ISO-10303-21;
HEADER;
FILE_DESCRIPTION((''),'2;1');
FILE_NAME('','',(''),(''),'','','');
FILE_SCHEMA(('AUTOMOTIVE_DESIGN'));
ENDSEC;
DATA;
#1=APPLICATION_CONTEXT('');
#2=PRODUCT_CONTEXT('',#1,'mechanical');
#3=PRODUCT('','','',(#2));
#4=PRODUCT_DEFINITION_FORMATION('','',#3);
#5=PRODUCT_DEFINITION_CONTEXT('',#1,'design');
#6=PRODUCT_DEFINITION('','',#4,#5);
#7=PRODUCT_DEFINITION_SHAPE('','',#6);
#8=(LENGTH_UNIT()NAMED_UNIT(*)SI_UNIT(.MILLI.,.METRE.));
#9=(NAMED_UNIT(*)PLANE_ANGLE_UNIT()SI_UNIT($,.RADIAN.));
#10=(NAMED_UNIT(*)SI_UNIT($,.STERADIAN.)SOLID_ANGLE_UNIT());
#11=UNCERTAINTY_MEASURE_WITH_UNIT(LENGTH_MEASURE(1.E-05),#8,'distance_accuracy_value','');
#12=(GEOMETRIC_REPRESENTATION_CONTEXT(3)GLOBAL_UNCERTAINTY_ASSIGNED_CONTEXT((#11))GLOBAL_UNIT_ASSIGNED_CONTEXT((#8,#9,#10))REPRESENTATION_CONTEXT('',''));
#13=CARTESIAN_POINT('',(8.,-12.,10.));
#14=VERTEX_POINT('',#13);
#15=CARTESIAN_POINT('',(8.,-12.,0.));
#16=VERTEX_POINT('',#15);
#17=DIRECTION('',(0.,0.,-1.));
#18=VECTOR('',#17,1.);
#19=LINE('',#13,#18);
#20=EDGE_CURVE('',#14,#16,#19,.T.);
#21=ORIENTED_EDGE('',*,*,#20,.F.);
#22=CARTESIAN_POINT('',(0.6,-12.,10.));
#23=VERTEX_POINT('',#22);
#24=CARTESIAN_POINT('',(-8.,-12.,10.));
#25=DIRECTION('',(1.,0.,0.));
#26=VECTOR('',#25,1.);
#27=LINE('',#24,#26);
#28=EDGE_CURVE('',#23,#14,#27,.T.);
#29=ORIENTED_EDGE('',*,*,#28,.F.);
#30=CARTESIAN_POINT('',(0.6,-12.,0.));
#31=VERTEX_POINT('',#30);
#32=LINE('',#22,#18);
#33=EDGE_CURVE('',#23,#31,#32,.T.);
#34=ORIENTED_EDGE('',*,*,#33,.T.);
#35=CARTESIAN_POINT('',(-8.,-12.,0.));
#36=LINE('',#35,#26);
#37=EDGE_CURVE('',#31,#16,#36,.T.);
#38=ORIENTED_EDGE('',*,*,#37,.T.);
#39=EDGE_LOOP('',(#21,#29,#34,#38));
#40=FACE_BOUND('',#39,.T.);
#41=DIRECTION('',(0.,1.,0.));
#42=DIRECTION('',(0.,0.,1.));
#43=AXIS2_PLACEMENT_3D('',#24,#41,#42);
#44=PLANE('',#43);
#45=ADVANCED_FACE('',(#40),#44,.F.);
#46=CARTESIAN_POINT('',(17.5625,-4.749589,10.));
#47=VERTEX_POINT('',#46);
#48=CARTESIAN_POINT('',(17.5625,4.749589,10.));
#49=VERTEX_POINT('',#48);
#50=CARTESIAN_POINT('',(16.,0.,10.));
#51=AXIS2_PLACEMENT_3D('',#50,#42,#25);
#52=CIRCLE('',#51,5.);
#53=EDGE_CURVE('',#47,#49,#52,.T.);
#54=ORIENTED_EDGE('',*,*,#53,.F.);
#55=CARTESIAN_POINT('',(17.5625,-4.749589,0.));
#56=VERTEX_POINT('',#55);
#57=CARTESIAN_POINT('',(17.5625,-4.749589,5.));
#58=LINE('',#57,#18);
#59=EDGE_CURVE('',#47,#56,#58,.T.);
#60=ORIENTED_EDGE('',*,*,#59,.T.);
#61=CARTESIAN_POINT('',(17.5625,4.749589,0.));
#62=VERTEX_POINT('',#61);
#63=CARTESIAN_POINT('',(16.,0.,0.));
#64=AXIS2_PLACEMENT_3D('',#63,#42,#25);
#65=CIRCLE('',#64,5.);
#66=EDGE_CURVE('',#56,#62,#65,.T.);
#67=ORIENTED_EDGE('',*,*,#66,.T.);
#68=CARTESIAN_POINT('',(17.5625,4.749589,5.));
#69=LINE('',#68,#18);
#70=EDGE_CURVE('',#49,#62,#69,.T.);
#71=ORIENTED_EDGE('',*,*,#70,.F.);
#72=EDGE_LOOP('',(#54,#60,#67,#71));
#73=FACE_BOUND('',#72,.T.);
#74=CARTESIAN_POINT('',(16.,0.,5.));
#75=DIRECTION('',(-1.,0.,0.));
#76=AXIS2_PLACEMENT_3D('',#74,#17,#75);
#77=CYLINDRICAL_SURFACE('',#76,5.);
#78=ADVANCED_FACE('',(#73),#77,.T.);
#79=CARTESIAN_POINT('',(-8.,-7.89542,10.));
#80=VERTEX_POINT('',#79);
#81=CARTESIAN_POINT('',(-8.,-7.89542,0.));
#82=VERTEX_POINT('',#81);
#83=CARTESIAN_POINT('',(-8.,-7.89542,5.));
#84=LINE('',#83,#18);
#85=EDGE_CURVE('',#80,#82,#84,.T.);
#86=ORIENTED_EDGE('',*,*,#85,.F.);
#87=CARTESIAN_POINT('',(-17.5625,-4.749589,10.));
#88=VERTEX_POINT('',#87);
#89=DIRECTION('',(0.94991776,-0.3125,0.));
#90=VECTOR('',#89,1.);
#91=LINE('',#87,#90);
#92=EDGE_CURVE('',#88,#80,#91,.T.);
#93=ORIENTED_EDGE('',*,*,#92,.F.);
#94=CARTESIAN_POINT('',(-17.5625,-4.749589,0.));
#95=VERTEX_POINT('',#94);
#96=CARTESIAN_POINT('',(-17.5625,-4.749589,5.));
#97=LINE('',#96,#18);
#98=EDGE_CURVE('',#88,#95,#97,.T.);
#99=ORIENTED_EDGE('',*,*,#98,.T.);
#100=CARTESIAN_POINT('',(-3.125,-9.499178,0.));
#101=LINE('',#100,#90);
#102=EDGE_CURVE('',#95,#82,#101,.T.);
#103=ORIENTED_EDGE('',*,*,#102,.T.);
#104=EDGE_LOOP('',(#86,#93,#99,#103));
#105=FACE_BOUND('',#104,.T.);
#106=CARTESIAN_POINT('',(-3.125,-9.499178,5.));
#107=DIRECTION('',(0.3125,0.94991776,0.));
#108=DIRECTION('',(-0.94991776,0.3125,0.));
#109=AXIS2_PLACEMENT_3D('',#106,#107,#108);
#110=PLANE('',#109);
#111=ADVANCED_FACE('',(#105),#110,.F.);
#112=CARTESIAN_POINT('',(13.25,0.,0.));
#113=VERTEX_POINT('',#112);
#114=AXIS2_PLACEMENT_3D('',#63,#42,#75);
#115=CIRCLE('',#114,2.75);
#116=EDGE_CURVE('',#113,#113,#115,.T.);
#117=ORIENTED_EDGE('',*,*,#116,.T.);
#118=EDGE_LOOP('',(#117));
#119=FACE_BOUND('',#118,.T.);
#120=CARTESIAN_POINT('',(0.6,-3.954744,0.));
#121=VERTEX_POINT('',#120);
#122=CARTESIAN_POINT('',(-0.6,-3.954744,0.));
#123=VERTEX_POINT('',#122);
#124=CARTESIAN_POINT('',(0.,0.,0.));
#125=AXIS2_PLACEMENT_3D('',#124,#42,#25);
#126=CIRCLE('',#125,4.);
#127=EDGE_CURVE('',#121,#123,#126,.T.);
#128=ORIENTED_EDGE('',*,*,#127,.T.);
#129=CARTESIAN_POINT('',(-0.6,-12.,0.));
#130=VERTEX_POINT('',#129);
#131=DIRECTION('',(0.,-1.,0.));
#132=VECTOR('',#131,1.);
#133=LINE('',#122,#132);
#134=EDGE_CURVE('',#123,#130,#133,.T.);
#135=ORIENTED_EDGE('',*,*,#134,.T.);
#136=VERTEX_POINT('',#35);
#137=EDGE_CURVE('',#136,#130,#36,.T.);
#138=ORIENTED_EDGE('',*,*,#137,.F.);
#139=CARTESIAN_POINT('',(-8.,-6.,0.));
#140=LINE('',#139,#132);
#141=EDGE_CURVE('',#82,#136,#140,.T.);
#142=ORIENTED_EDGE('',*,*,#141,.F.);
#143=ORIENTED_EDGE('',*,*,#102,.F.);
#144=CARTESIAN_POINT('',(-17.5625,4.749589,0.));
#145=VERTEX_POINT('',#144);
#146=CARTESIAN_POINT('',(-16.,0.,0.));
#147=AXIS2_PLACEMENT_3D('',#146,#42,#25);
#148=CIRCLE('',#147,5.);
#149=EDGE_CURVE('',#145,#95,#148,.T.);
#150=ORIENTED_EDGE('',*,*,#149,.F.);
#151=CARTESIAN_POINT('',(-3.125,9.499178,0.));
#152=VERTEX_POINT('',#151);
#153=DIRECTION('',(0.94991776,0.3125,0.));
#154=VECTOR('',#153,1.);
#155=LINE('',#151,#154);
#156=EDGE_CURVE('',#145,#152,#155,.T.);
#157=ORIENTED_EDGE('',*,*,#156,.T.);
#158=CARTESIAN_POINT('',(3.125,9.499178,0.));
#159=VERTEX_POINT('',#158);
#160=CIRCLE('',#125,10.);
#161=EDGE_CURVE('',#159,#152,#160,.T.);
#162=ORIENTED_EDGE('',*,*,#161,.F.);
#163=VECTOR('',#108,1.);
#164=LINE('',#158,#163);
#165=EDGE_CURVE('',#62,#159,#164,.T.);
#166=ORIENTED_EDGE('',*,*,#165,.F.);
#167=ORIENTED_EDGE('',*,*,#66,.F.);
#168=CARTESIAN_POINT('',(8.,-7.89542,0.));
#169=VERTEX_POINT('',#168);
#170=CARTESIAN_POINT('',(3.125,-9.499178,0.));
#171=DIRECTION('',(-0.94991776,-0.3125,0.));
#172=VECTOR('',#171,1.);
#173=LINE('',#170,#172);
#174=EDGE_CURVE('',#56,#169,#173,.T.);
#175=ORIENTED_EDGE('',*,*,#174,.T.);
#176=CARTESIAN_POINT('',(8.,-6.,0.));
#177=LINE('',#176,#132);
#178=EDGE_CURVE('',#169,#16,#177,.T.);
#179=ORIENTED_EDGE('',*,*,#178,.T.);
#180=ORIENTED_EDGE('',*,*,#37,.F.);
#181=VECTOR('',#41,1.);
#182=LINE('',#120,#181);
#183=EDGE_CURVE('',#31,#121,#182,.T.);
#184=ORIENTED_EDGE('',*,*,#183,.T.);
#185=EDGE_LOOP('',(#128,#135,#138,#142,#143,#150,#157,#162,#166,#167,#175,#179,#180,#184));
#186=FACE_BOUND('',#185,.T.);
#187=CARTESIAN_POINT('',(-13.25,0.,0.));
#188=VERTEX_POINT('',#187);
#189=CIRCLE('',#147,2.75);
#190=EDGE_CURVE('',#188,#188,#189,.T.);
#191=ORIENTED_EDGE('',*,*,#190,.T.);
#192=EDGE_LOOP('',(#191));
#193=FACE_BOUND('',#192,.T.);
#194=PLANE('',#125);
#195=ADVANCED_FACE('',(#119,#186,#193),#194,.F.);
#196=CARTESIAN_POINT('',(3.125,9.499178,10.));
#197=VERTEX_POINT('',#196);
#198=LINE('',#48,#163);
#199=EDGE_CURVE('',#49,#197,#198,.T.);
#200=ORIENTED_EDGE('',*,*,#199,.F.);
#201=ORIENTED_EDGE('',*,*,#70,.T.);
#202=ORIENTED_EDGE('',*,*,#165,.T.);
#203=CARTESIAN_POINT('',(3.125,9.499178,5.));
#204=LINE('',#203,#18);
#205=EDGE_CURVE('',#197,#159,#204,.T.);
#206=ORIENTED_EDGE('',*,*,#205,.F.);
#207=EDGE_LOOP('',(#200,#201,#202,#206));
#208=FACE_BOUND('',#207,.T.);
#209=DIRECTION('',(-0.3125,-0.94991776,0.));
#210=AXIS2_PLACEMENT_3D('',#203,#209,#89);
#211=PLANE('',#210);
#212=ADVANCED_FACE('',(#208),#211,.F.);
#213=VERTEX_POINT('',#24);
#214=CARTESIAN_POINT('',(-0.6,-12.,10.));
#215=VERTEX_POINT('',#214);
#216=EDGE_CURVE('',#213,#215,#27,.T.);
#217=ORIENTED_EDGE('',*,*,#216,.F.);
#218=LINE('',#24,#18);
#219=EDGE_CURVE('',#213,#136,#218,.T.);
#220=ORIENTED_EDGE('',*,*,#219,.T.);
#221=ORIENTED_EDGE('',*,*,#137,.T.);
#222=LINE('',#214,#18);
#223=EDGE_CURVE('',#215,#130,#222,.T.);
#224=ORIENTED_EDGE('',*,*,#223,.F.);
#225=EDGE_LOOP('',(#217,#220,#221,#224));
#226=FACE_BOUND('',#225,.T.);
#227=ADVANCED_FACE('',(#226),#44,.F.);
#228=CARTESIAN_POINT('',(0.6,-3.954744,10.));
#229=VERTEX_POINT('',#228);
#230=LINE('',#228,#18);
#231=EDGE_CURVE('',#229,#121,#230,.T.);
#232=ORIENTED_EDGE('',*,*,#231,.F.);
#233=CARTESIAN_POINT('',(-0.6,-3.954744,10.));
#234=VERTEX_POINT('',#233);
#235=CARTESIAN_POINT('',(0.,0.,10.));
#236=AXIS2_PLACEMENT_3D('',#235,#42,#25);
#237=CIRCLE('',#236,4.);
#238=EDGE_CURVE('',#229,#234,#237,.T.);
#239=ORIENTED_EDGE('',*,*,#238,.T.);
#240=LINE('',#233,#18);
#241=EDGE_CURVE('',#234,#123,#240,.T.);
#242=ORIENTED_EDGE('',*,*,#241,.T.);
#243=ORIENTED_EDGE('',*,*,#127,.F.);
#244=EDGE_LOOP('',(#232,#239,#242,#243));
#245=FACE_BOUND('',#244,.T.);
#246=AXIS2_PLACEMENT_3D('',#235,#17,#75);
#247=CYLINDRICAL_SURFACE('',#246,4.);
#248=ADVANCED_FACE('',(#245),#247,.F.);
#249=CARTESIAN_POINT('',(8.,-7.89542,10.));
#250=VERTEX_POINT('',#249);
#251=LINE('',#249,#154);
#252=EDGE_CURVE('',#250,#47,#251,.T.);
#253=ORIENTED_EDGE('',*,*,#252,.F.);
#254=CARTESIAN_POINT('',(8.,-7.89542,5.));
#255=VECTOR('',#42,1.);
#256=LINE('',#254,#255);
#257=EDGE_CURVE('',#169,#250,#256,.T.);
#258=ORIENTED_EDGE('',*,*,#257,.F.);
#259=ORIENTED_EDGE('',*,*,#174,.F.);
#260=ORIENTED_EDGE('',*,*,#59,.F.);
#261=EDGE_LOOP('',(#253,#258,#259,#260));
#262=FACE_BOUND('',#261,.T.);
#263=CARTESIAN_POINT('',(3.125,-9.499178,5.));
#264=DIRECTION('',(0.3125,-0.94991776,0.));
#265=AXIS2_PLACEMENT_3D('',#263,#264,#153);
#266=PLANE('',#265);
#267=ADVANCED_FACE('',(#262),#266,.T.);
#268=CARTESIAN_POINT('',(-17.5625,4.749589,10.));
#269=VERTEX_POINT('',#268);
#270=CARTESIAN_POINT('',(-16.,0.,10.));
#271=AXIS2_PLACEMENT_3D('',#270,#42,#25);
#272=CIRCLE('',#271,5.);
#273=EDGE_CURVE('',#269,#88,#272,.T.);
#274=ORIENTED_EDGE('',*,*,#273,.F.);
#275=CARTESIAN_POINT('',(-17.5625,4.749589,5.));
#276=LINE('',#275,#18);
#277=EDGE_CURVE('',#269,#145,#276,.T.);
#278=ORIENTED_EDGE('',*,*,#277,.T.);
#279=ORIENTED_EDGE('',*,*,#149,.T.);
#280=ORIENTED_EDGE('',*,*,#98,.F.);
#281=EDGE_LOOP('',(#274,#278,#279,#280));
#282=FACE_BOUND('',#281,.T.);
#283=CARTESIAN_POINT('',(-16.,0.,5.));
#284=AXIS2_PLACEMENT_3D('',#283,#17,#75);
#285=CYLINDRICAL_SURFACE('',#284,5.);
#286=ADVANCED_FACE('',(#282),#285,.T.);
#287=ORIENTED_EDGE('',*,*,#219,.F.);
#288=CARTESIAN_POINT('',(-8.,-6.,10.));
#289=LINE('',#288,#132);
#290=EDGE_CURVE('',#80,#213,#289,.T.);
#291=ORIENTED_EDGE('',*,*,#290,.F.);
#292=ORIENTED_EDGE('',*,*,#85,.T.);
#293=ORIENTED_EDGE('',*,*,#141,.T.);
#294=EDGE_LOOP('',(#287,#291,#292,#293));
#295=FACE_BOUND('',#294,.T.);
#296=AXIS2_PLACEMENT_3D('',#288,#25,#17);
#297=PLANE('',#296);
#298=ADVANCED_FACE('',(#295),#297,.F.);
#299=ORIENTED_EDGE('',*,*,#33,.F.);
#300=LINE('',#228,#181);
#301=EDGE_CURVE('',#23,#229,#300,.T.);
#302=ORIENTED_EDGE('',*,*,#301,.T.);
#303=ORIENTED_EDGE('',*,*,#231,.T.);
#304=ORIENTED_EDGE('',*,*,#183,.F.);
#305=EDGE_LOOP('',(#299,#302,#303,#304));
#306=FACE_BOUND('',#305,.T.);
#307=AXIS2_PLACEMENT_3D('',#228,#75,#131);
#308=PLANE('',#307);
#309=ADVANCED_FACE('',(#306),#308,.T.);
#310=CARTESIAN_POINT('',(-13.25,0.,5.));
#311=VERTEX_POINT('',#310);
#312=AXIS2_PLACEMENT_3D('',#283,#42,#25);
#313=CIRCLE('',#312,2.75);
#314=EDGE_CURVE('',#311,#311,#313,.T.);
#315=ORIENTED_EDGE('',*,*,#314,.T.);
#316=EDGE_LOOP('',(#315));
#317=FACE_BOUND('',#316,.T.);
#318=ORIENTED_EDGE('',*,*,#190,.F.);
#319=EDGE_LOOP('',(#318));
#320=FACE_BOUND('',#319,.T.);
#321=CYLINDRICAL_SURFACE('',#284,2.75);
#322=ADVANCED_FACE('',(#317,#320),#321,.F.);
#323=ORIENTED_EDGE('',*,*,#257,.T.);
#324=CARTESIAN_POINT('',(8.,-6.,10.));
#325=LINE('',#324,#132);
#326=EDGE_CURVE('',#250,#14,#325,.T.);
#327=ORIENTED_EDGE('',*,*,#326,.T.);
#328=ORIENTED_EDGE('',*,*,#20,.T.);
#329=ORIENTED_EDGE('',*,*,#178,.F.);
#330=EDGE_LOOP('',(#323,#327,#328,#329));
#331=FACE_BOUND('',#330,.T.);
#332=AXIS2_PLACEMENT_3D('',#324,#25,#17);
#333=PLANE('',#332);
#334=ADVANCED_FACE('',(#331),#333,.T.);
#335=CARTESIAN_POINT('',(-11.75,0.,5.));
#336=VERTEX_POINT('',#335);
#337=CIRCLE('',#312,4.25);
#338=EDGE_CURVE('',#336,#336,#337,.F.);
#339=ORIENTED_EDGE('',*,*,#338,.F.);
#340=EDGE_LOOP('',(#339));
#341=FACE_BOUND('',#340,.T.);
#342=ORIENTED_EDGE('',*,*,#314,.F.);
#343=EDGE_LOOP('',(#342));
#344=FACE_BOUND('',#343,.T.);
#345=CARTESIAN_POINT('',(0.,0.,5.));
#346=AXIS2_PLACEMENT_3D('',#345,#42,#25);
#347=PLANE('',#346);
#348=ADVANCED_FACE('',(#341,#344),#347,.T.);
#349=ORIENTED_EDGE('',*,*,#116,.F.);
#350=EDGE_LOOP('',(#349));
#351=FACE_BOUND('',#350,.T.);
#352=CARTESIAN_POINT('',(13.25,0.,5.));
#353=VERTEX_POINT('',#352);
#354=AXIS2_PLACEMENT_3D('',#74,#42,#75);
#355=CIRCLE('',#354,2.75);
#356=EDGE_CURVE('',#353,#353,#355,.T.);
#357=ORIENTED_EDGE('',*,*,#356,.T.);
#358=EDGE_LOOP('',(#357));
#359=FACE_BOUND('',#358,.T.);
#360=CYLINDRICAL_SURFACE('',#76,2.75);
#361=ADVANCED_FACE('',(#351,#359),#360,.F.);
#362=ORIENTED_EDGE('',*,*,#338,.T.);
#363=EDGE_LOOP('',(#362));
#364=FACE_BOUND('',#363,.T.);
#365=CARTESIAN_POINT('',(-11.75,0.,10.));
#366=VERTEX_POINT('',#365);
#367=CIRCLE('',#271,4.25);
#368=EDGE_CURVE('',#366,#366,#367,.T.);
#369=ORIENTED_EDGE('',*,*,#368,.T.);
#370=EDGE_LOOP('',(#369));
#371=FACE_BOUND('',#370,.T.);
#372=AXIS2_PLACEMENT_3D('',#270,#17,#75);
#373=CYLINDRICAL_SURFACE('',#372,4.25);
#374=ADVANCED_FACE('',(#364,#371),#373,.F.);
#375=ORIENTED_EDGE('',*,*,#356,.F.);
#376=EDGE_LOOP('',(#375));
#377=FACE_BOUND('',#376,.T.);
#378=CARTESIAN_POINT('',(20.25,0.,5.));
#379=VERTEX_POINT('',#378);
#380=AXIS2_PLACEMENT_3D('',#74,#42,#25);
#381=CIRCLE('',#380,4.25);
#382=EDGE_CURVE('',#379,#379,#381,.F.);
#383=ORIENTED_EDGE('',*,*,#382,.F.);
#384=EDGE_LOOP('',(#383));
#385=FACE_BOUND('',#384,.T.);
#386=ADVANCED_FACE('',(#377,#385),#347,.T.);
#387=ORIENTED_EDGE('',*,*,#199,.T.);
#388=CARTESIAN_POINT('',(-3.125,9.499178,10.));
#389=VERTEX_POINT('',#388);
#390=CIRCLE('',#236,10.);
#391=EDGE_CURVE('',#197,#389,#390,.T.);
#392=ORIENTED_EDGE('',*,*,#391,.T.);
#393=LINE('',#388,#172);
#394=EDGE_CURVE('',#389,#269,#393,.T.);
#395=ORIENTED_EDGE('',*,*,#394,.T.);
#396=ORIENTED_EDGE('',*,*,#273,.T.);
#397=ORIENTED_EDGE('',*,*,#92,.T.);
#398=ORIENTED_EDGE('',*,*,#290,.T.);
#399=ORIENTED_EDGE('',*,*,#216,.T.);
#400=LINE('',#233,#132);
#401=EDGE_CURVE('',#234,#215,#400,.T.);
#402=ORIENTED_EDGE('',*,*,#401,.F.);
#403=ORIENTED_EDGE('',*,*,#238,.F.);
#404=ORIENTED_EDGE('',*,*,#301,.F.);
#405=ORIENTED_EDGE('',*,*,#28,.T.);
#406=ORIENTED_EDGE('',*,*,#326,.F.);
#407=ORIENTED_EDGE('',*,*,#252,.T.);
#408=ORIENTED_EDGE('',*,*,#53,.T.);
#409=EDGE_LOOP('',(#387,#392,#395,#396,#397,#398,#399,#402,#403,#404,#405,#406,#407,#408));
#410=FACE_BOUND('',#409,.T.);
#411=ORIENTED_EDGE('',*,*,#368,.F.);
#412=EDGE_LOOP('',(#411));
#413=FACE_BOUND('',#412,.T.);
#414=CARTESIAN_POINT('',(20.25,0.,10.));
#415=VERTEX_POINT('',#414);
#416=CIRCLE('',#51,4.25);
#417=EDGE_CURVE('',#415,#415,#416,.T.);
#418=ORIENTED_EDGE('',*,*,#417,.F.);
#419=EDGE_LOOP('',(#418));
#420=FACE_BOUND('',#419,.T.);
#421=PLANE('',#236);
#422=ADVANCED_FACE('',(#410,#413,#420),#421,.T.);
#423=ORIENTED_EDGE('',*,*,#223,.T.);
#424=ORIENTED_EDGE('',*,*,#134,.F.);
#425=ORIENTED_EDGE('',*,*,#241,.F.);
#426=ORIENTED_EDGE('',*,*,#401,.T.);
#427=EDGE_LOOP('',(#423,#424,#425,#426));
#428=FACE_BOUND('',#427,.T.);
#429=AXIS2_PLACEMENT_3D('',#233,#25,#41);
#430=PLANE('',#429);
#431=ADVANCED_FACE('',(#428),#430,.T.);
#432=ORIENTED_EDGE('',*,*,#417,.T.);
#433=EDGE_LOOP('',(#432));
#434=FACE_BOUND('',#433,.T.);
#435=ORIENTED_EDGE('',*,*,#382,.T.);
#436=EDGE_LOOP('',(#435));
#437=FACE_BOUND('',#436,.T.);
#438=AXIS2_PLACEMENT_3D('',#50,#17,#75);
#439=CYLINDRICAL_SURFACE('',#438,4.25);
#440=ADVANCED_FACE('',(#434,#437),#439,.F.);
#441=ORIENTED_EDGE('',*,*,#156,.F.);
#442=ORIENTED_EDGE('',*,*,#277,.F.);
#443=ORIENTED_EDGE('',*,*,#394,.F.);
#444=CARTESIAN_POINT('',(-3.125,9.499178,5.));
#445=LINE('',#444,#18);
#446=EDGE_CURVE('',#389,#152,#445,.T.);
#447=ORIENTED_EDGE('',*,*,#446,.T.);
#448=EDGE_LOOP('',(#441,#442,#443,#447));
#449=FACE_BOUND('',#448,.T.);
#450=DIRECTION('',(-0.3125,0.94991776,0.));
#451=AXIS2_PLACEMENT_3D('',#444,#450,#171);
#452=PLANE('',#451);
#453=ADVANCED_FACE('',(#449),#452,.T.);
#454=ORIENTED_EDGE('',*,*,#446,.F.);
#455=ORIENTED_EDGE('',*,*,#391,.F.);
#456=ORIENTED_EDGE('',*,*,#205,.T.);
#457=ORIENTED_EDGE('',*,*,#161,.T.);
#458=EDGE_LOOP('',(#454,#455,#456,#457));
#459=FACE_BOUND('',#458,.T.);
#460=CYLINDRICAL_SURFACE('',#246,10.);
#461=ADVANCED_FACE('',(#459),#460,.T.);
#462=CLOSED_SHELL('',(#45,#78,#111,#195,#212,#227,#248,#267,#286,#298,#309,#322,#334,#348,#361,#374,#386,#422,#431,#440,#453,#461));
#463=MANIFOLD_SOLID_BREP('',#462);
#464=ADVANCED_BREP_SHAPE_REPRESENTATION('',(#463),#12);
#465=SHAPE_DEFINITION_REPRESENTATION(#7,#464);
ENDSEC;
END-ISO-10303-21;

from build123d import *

# Parameters (mm, degrees)
SKETCH_1_R          = 10
SKETCH_1_R_2        = 4
EXTRUDE_1_DEPTH     = 10
EXTRUDE_2_DEPTH     = 5
SKETCH_4_R          = 2.75
CUT_EXTRUDE_6_DEPTH = 5
CUT_EXTRUDE_5_DEPTH = 5
EXTRUDE_3_DEPTH     = 10
CUT_EXTRUDE_8_DEPTH = 11
SKETCH_7_R          = 4.25
EXTRUDE_4_DEPTH     = 5


with BuildPart() as part:
    # 草图1 → 凸台-拉伸1 (new body)
    with BuildSketch(Plane.XY):
        Circle(SKETCH_1_R)
        Circle(SKETCH_1_R_2, mode=Mode.SUBTRACT)
    extrude(amount=EXTRUDE_1_DEPTH)

    # 草图2 → 凸台-拉伸2 (add)
    with BuildSketch(Plane.XY):
        with BuildLine():
            Line((2.8e-08, 10), (-21.5, 10))
            Line((-21.5, 10), (-21.5, -10))
            Line((-21.5, -10), (-1.9e-08, -10))
            ThreePointArc((-1.9e-08, -10), (-10, 2.4e-08), (2.8e-08, 10))
        make_face()
        with BuildLine():
            Line((21.5, 10), (2.8e-08, 10))
            ThreePointArc((2.8e-08, 10), (7.071067822, 7.071067802), (10, 0))
            ThreePointArc((10, 0), (7.071067805, -7.071067819), (-1.9e-08, -10))
            Line((-1.9e-08, -10), (21.5, -10))
            Line((21.5, -10), (21.5, 10))
        make_face()
    extrude(amount=EXTRUDE_2_DEPTH)

    # 草图4 → 切除-拉伸6 (cut)
    with BuildSketch(Plane.XY):
        with Locations((-16, 0)):
            Circle(SKETCH_4_R)
        with Locations((16, 0)):
            Circle(SKETCH_4_R)
    extrude(amount=CUT_EXTRUDE_6_DEPTH, mode=Mode.SUBTRACT)

    # 草图3 → 切除-拉伸5 (cut)
    with BuildSketch(Plane.XY):
        with BuildLine():
            ThreePointArc((-17.5625, -4.749588798), (-21, 0), (-17.5625, 4.749588798))
            Line((-17.5625, 4.749588798), (-3.125, 9.499177596))
            ThreePointArc((-3.125, 9.499177596), (-1.582438631, 9.874000607), (0, 10))
            Line((0, 10), (-21.5, 10))
            Line((-21.5, 10), (-21.5, -10))
            Line((-21.5, -10), (0, -10))
            ThreePointArc((0, -10), (-1.582438631, -9.874000607), (-3.125, -9.499177596))
            Line((-3.125, -9.499177596), (-17.5625, -4.749588798))
        make_face()
        with BuildLine():
            Line((21.5, 10), (0, 10))
            ThreePointArc((0, 10), (1.582438631, 9.874000607), (3.125, 9.499177596))
            Line((3.125, 9.499177596), (17.5625, 4.749588798))
            ThreePointArc((17.5625, 4.749588798), (20.050462937, 2.93150985), (21, 0))
            ThreePointArc((21, 0), (20.050462937, -2.93150985), (17.5625, -4.749588798))
            Line((17.5625, -4.749588798), (3.125, -9.499177596))
            ThreePointArc((3.125, -9.499177596), (1.582438631, -9.874000607), (0, -10))
            Line((0, -10), (21.5, -10))
            Line((21.5, -10), (21.5, 10))
        make_face()
        with BuildLine():
            Line((21.5, 10), (0, 10))
            ThreePointArc((0, 10), (1.582438631, 9.874000607), (3.125, 9.499177596))
            Line((3.125, 9.499177596), (17.5625, 4.749588798))
            ThreePointArc((17.5625, 4.749588798), (20.050462937, 2.93150985), (21, 0))
            ThreePointArc((21, 0), (20.050462937, -2.93150985), (17.5625, -4.749588798))
            Line((17.5625, -4.749588798), (3.125, -9.499177596))
            ThreePointArc((3.125, -9.499177596), (1.582438631, -9.874000607), (0, -10))
            Line((0, -10), (21.5, -10))
            Line((21.5, -10), (21.5, 10))
        make_face()
        with BuildLine():
            ThreePointArc((-17.5625, -4.749588798), (-21, 0), (-17.5625, 4.749588798))
            Line((-17.5625, 4.749588798), (-3.125, 9.499177596))
            ThreePointArc((-3.125, 9.499177596), (-1.582438631, 9.874000607), (0, 10))
            Line((0, 10), (-21.5, 10))
            Line((-21.5, 10), (-21.5, -10))
            Line((-21.5, -10), (0, -10))
            ThreePointArc((0, -10), (-1.582438631, -9.874000607), (-3.125, -9.499177596))
            Line((-3.125, -9.499177596), (-17.5625, -4.749588798))
        make_face()
    extrude(amount=CUT_EXTRUDE_5_DEPTH, mode=Mode.SUBTRACT)

    # 草图5 → 凸台-拉伸3 (add)
    with BuildSketch(Plane.XY):
        with BuildLine():
            Line((-8, -6), (-8, -12))
            Line((-8, -12), (8, -12))
            Line((8, -12), (8, -6))
            ThreePointArc((8, -6), (0, -10), (-8, -6))
        make_face()
    extrude(amount=EXTRUDE_3_DEPTH)

    # 草图6 → 切除-拉伸8 (cut, through all)
    with BuildSketch(Plane.XY):
        with BuildLine():
            Line((-0.6, -12), (0.6, -12))
            Line((0.6, -12), (0.6, -3.954743987))
            ThreePointArc((0.6, -3.954743987), (0, -4), (-0.6, -3.954743987))
            Line((-0.6, -3.954743987), (-0.6, -12))
        make_face()
    extrude(amount=CUT_EXTRUDE_8_DEPTH, mode=Mode.SUBTRACT)

    # 草图7 → 凸台-拉伸4 (add)
    with BuildSketch(Plane.XY.offset(5)):
        with BuildLine():
            Line((-17.5625, -4.749588798), (-8, -7.89542034))
            Line((-8, -7.89542034), (-8, -6))
            ThreePointArc((-8, -6), (-9.539262696, 3.000411174), (-3.125, 9.499177596))
            Line((-3.125, 9.499177596), (-17.5625, 4.749588798))
            ThreePointArc((-17.5625, 4.749588798), (-21, 0), (-17.5625, -4.749588798))
        make_face()
        with Locations((-16, 0)):
            Circle(SKETCH_7_R, mode=Mode.SUBTRACT)
        with BuildLine():
            Line((8, -6), (8, -7.89542034))
            Line((8, -7.89542034), (17.5625, -4.749588798))
            ThreePointArc((17.5625, -4.749588798), (21, 0), (17.5625, 4.749588798))
            Line((17.5625, 4.749588798), (3.125, 9.499177596))
            ThreePointArc((3.125, 9.499177596), (9.539262696, 3.000411174), (8, -6))
        make_face()
        with Locations((16, 0)):
            Circle(SKETCH_7_R, mode=Mode.SUBTRACT)
    extrude(amount=EXTRUDE_4_DEPTH)


solid = part.part
